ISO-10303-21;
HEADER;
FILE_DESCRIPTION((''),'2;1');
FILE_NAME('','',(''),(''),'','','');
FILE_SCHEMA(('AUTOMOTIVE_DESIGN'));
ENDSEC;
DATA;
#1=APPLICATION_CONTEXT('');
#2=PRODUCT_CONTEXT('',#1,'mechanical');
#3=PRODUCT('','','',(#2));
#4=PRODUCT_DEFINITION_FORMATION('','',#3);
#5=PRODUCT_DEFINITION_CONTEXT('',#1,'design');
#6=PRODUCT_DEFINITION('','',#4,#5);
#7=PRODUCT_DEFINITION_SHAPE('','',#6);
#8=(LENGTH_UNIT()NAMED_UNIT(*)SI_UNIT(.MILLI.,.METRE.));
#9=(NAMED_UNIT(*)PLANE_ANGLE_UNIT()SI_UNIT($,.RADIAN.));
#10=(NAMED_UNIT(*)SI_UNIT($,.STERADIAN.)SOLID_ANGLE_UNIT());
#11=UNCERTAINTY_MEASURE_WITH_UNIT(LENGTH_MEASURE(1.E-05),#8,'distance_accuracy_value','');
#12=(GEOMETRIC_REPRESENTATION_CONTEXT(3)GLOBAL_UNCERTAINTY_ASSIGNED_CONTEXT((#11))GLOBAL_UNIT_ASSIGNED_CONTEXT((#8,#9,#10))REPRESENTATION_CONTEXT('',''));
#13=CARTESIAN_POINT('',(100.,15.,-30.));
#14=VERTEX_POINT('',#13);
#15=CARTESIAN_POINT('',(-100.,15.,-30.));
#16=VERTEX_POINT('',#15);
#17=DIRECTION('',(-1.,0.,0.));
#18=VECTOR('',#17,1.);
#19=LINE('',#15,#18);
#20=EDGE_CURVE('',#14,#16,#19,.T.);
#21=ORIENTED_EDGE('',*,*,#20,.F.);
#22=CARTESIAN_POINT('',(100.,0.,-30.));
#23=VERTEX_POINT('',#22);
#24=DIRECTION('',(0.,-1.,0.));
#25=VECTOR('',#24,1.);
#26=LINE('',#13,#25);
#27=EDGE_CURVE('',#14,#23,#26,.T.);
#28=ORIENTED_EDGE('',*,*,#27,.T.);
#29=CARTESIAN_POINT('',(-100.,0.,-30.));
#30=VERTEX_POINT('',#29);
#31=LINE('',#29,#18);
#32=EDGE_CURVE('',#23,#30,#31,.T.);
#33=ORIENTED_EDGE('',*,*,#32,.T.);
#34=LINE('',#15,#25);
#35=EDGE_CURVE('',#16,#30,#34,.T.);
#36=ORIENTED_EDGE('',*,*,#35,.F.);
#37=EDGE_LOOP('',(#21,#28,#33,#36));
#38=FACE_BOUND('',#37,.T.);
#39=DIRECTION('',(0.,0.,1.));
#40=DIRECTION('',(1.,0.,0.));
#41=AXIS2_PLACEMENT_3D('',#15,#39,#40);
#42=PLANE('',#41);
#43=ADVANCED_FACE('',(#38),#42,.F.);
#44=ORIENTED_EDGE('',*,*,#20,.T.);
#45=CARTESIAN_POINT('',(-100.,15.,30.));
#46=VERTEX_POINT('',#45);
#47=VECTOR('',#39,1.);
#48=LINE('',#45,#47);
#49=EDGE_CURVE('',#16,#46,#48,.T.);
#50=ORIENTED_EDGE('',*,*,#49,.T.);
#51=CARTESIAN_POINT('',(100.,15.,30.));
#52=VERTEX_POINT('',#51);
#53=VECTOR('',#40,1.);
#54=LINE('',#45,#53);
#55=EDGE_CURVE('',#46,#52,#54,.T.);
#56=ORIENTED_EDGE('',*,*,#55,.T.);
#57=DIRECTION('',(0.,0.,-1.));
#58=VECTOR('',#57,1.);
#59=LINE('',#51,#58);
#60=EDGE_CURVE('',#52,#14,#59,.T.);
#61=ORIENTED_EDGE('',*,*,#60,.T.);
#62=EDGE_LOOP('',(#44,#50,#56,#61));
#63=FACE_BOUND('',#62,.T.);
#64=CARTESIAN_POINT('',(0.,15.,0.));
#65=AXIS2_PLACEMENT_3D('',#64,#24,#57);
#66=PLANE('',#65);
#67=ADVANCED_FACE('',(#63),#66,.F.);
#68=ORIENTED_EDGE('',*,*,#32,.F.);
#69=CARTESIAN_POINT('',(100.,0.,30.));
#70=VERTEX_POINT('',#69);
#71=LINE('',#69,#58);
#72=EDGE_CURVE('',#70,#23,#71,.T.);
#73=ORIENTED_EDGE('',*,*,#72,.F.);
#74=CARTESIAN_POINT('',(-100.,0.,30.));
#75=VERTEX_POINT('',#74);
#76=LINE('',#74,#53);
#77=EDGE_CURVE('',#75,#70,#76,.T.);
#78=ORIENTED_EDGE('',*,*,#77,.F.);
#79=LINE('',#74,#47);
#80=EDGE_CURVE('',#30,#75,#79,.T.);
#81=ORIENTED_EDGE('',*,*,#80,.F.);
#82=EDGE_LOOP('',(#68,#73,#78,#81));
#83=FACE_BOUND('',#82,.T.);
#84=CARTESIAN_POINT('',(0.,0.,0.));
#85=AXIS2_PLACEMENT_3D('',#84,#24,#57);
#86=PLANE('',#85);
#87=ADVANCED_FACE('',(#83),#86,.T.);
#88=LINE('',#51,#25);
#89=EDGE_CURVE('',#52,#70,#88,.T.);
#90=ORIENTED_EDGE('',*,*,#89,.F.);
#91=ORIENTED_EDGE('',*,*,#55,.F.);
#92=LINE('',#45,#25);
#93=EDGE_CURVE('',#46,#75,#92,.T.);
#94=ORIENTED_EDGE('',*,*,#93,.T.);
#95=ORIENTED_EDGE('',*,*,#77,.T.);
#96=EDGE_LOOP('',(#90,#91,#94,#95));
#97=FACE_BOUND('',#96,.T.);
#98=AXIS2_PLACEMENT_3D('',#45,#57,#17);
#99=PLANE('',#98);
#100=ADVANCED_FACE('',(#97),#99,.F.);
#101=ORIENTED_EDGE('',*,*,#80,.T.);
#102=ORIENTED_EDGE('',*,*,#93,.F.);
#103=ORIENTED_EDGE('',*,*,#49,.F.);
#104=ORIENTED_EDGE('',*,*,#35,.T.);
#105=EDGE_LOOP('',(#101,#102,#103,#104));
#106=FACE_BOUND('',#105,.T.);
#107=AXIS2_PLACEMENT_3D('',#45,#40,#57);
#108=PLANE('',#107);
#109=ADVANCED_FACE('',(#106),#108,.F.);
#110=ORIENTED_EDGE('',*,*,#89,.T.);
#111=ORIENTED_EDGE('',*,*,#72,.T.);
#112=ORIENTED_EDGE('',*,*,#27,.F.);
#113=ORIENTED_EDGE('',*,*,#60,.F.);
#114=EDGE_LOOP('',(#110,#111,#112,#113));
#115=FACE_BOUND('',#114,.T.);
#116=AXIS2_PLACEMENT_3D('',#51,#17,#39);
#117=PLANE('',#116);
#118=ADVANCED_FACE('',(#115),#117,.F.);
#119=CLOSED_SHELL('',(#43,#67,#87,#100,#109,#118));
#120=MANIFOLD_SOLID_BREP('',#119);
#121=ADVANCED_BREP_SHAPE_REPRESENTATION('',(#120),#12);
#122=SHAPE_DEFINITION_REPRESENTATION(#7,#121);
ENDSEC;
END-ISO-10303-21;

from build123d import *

# Parameters (mm, degrees)
SKETCH2_W           = 200
SKETCH2_H           = 60
BOSS_EXTRUDE2_DEPTH = 15


with BuildPart() as part:
    # Sketch2 → Boss-Extrude2 (new body)
    with BuildSketch(Plane(origin=(0, 0, 0), x_dir=(1, 0, 0), z_dir=(0, 1, 0))):
        Rectangle(SKETCH2_W, SKETCH2_H)
    extrude(amount=BOSS_EXTRUDE2_DEPTH)


solid = part.part
